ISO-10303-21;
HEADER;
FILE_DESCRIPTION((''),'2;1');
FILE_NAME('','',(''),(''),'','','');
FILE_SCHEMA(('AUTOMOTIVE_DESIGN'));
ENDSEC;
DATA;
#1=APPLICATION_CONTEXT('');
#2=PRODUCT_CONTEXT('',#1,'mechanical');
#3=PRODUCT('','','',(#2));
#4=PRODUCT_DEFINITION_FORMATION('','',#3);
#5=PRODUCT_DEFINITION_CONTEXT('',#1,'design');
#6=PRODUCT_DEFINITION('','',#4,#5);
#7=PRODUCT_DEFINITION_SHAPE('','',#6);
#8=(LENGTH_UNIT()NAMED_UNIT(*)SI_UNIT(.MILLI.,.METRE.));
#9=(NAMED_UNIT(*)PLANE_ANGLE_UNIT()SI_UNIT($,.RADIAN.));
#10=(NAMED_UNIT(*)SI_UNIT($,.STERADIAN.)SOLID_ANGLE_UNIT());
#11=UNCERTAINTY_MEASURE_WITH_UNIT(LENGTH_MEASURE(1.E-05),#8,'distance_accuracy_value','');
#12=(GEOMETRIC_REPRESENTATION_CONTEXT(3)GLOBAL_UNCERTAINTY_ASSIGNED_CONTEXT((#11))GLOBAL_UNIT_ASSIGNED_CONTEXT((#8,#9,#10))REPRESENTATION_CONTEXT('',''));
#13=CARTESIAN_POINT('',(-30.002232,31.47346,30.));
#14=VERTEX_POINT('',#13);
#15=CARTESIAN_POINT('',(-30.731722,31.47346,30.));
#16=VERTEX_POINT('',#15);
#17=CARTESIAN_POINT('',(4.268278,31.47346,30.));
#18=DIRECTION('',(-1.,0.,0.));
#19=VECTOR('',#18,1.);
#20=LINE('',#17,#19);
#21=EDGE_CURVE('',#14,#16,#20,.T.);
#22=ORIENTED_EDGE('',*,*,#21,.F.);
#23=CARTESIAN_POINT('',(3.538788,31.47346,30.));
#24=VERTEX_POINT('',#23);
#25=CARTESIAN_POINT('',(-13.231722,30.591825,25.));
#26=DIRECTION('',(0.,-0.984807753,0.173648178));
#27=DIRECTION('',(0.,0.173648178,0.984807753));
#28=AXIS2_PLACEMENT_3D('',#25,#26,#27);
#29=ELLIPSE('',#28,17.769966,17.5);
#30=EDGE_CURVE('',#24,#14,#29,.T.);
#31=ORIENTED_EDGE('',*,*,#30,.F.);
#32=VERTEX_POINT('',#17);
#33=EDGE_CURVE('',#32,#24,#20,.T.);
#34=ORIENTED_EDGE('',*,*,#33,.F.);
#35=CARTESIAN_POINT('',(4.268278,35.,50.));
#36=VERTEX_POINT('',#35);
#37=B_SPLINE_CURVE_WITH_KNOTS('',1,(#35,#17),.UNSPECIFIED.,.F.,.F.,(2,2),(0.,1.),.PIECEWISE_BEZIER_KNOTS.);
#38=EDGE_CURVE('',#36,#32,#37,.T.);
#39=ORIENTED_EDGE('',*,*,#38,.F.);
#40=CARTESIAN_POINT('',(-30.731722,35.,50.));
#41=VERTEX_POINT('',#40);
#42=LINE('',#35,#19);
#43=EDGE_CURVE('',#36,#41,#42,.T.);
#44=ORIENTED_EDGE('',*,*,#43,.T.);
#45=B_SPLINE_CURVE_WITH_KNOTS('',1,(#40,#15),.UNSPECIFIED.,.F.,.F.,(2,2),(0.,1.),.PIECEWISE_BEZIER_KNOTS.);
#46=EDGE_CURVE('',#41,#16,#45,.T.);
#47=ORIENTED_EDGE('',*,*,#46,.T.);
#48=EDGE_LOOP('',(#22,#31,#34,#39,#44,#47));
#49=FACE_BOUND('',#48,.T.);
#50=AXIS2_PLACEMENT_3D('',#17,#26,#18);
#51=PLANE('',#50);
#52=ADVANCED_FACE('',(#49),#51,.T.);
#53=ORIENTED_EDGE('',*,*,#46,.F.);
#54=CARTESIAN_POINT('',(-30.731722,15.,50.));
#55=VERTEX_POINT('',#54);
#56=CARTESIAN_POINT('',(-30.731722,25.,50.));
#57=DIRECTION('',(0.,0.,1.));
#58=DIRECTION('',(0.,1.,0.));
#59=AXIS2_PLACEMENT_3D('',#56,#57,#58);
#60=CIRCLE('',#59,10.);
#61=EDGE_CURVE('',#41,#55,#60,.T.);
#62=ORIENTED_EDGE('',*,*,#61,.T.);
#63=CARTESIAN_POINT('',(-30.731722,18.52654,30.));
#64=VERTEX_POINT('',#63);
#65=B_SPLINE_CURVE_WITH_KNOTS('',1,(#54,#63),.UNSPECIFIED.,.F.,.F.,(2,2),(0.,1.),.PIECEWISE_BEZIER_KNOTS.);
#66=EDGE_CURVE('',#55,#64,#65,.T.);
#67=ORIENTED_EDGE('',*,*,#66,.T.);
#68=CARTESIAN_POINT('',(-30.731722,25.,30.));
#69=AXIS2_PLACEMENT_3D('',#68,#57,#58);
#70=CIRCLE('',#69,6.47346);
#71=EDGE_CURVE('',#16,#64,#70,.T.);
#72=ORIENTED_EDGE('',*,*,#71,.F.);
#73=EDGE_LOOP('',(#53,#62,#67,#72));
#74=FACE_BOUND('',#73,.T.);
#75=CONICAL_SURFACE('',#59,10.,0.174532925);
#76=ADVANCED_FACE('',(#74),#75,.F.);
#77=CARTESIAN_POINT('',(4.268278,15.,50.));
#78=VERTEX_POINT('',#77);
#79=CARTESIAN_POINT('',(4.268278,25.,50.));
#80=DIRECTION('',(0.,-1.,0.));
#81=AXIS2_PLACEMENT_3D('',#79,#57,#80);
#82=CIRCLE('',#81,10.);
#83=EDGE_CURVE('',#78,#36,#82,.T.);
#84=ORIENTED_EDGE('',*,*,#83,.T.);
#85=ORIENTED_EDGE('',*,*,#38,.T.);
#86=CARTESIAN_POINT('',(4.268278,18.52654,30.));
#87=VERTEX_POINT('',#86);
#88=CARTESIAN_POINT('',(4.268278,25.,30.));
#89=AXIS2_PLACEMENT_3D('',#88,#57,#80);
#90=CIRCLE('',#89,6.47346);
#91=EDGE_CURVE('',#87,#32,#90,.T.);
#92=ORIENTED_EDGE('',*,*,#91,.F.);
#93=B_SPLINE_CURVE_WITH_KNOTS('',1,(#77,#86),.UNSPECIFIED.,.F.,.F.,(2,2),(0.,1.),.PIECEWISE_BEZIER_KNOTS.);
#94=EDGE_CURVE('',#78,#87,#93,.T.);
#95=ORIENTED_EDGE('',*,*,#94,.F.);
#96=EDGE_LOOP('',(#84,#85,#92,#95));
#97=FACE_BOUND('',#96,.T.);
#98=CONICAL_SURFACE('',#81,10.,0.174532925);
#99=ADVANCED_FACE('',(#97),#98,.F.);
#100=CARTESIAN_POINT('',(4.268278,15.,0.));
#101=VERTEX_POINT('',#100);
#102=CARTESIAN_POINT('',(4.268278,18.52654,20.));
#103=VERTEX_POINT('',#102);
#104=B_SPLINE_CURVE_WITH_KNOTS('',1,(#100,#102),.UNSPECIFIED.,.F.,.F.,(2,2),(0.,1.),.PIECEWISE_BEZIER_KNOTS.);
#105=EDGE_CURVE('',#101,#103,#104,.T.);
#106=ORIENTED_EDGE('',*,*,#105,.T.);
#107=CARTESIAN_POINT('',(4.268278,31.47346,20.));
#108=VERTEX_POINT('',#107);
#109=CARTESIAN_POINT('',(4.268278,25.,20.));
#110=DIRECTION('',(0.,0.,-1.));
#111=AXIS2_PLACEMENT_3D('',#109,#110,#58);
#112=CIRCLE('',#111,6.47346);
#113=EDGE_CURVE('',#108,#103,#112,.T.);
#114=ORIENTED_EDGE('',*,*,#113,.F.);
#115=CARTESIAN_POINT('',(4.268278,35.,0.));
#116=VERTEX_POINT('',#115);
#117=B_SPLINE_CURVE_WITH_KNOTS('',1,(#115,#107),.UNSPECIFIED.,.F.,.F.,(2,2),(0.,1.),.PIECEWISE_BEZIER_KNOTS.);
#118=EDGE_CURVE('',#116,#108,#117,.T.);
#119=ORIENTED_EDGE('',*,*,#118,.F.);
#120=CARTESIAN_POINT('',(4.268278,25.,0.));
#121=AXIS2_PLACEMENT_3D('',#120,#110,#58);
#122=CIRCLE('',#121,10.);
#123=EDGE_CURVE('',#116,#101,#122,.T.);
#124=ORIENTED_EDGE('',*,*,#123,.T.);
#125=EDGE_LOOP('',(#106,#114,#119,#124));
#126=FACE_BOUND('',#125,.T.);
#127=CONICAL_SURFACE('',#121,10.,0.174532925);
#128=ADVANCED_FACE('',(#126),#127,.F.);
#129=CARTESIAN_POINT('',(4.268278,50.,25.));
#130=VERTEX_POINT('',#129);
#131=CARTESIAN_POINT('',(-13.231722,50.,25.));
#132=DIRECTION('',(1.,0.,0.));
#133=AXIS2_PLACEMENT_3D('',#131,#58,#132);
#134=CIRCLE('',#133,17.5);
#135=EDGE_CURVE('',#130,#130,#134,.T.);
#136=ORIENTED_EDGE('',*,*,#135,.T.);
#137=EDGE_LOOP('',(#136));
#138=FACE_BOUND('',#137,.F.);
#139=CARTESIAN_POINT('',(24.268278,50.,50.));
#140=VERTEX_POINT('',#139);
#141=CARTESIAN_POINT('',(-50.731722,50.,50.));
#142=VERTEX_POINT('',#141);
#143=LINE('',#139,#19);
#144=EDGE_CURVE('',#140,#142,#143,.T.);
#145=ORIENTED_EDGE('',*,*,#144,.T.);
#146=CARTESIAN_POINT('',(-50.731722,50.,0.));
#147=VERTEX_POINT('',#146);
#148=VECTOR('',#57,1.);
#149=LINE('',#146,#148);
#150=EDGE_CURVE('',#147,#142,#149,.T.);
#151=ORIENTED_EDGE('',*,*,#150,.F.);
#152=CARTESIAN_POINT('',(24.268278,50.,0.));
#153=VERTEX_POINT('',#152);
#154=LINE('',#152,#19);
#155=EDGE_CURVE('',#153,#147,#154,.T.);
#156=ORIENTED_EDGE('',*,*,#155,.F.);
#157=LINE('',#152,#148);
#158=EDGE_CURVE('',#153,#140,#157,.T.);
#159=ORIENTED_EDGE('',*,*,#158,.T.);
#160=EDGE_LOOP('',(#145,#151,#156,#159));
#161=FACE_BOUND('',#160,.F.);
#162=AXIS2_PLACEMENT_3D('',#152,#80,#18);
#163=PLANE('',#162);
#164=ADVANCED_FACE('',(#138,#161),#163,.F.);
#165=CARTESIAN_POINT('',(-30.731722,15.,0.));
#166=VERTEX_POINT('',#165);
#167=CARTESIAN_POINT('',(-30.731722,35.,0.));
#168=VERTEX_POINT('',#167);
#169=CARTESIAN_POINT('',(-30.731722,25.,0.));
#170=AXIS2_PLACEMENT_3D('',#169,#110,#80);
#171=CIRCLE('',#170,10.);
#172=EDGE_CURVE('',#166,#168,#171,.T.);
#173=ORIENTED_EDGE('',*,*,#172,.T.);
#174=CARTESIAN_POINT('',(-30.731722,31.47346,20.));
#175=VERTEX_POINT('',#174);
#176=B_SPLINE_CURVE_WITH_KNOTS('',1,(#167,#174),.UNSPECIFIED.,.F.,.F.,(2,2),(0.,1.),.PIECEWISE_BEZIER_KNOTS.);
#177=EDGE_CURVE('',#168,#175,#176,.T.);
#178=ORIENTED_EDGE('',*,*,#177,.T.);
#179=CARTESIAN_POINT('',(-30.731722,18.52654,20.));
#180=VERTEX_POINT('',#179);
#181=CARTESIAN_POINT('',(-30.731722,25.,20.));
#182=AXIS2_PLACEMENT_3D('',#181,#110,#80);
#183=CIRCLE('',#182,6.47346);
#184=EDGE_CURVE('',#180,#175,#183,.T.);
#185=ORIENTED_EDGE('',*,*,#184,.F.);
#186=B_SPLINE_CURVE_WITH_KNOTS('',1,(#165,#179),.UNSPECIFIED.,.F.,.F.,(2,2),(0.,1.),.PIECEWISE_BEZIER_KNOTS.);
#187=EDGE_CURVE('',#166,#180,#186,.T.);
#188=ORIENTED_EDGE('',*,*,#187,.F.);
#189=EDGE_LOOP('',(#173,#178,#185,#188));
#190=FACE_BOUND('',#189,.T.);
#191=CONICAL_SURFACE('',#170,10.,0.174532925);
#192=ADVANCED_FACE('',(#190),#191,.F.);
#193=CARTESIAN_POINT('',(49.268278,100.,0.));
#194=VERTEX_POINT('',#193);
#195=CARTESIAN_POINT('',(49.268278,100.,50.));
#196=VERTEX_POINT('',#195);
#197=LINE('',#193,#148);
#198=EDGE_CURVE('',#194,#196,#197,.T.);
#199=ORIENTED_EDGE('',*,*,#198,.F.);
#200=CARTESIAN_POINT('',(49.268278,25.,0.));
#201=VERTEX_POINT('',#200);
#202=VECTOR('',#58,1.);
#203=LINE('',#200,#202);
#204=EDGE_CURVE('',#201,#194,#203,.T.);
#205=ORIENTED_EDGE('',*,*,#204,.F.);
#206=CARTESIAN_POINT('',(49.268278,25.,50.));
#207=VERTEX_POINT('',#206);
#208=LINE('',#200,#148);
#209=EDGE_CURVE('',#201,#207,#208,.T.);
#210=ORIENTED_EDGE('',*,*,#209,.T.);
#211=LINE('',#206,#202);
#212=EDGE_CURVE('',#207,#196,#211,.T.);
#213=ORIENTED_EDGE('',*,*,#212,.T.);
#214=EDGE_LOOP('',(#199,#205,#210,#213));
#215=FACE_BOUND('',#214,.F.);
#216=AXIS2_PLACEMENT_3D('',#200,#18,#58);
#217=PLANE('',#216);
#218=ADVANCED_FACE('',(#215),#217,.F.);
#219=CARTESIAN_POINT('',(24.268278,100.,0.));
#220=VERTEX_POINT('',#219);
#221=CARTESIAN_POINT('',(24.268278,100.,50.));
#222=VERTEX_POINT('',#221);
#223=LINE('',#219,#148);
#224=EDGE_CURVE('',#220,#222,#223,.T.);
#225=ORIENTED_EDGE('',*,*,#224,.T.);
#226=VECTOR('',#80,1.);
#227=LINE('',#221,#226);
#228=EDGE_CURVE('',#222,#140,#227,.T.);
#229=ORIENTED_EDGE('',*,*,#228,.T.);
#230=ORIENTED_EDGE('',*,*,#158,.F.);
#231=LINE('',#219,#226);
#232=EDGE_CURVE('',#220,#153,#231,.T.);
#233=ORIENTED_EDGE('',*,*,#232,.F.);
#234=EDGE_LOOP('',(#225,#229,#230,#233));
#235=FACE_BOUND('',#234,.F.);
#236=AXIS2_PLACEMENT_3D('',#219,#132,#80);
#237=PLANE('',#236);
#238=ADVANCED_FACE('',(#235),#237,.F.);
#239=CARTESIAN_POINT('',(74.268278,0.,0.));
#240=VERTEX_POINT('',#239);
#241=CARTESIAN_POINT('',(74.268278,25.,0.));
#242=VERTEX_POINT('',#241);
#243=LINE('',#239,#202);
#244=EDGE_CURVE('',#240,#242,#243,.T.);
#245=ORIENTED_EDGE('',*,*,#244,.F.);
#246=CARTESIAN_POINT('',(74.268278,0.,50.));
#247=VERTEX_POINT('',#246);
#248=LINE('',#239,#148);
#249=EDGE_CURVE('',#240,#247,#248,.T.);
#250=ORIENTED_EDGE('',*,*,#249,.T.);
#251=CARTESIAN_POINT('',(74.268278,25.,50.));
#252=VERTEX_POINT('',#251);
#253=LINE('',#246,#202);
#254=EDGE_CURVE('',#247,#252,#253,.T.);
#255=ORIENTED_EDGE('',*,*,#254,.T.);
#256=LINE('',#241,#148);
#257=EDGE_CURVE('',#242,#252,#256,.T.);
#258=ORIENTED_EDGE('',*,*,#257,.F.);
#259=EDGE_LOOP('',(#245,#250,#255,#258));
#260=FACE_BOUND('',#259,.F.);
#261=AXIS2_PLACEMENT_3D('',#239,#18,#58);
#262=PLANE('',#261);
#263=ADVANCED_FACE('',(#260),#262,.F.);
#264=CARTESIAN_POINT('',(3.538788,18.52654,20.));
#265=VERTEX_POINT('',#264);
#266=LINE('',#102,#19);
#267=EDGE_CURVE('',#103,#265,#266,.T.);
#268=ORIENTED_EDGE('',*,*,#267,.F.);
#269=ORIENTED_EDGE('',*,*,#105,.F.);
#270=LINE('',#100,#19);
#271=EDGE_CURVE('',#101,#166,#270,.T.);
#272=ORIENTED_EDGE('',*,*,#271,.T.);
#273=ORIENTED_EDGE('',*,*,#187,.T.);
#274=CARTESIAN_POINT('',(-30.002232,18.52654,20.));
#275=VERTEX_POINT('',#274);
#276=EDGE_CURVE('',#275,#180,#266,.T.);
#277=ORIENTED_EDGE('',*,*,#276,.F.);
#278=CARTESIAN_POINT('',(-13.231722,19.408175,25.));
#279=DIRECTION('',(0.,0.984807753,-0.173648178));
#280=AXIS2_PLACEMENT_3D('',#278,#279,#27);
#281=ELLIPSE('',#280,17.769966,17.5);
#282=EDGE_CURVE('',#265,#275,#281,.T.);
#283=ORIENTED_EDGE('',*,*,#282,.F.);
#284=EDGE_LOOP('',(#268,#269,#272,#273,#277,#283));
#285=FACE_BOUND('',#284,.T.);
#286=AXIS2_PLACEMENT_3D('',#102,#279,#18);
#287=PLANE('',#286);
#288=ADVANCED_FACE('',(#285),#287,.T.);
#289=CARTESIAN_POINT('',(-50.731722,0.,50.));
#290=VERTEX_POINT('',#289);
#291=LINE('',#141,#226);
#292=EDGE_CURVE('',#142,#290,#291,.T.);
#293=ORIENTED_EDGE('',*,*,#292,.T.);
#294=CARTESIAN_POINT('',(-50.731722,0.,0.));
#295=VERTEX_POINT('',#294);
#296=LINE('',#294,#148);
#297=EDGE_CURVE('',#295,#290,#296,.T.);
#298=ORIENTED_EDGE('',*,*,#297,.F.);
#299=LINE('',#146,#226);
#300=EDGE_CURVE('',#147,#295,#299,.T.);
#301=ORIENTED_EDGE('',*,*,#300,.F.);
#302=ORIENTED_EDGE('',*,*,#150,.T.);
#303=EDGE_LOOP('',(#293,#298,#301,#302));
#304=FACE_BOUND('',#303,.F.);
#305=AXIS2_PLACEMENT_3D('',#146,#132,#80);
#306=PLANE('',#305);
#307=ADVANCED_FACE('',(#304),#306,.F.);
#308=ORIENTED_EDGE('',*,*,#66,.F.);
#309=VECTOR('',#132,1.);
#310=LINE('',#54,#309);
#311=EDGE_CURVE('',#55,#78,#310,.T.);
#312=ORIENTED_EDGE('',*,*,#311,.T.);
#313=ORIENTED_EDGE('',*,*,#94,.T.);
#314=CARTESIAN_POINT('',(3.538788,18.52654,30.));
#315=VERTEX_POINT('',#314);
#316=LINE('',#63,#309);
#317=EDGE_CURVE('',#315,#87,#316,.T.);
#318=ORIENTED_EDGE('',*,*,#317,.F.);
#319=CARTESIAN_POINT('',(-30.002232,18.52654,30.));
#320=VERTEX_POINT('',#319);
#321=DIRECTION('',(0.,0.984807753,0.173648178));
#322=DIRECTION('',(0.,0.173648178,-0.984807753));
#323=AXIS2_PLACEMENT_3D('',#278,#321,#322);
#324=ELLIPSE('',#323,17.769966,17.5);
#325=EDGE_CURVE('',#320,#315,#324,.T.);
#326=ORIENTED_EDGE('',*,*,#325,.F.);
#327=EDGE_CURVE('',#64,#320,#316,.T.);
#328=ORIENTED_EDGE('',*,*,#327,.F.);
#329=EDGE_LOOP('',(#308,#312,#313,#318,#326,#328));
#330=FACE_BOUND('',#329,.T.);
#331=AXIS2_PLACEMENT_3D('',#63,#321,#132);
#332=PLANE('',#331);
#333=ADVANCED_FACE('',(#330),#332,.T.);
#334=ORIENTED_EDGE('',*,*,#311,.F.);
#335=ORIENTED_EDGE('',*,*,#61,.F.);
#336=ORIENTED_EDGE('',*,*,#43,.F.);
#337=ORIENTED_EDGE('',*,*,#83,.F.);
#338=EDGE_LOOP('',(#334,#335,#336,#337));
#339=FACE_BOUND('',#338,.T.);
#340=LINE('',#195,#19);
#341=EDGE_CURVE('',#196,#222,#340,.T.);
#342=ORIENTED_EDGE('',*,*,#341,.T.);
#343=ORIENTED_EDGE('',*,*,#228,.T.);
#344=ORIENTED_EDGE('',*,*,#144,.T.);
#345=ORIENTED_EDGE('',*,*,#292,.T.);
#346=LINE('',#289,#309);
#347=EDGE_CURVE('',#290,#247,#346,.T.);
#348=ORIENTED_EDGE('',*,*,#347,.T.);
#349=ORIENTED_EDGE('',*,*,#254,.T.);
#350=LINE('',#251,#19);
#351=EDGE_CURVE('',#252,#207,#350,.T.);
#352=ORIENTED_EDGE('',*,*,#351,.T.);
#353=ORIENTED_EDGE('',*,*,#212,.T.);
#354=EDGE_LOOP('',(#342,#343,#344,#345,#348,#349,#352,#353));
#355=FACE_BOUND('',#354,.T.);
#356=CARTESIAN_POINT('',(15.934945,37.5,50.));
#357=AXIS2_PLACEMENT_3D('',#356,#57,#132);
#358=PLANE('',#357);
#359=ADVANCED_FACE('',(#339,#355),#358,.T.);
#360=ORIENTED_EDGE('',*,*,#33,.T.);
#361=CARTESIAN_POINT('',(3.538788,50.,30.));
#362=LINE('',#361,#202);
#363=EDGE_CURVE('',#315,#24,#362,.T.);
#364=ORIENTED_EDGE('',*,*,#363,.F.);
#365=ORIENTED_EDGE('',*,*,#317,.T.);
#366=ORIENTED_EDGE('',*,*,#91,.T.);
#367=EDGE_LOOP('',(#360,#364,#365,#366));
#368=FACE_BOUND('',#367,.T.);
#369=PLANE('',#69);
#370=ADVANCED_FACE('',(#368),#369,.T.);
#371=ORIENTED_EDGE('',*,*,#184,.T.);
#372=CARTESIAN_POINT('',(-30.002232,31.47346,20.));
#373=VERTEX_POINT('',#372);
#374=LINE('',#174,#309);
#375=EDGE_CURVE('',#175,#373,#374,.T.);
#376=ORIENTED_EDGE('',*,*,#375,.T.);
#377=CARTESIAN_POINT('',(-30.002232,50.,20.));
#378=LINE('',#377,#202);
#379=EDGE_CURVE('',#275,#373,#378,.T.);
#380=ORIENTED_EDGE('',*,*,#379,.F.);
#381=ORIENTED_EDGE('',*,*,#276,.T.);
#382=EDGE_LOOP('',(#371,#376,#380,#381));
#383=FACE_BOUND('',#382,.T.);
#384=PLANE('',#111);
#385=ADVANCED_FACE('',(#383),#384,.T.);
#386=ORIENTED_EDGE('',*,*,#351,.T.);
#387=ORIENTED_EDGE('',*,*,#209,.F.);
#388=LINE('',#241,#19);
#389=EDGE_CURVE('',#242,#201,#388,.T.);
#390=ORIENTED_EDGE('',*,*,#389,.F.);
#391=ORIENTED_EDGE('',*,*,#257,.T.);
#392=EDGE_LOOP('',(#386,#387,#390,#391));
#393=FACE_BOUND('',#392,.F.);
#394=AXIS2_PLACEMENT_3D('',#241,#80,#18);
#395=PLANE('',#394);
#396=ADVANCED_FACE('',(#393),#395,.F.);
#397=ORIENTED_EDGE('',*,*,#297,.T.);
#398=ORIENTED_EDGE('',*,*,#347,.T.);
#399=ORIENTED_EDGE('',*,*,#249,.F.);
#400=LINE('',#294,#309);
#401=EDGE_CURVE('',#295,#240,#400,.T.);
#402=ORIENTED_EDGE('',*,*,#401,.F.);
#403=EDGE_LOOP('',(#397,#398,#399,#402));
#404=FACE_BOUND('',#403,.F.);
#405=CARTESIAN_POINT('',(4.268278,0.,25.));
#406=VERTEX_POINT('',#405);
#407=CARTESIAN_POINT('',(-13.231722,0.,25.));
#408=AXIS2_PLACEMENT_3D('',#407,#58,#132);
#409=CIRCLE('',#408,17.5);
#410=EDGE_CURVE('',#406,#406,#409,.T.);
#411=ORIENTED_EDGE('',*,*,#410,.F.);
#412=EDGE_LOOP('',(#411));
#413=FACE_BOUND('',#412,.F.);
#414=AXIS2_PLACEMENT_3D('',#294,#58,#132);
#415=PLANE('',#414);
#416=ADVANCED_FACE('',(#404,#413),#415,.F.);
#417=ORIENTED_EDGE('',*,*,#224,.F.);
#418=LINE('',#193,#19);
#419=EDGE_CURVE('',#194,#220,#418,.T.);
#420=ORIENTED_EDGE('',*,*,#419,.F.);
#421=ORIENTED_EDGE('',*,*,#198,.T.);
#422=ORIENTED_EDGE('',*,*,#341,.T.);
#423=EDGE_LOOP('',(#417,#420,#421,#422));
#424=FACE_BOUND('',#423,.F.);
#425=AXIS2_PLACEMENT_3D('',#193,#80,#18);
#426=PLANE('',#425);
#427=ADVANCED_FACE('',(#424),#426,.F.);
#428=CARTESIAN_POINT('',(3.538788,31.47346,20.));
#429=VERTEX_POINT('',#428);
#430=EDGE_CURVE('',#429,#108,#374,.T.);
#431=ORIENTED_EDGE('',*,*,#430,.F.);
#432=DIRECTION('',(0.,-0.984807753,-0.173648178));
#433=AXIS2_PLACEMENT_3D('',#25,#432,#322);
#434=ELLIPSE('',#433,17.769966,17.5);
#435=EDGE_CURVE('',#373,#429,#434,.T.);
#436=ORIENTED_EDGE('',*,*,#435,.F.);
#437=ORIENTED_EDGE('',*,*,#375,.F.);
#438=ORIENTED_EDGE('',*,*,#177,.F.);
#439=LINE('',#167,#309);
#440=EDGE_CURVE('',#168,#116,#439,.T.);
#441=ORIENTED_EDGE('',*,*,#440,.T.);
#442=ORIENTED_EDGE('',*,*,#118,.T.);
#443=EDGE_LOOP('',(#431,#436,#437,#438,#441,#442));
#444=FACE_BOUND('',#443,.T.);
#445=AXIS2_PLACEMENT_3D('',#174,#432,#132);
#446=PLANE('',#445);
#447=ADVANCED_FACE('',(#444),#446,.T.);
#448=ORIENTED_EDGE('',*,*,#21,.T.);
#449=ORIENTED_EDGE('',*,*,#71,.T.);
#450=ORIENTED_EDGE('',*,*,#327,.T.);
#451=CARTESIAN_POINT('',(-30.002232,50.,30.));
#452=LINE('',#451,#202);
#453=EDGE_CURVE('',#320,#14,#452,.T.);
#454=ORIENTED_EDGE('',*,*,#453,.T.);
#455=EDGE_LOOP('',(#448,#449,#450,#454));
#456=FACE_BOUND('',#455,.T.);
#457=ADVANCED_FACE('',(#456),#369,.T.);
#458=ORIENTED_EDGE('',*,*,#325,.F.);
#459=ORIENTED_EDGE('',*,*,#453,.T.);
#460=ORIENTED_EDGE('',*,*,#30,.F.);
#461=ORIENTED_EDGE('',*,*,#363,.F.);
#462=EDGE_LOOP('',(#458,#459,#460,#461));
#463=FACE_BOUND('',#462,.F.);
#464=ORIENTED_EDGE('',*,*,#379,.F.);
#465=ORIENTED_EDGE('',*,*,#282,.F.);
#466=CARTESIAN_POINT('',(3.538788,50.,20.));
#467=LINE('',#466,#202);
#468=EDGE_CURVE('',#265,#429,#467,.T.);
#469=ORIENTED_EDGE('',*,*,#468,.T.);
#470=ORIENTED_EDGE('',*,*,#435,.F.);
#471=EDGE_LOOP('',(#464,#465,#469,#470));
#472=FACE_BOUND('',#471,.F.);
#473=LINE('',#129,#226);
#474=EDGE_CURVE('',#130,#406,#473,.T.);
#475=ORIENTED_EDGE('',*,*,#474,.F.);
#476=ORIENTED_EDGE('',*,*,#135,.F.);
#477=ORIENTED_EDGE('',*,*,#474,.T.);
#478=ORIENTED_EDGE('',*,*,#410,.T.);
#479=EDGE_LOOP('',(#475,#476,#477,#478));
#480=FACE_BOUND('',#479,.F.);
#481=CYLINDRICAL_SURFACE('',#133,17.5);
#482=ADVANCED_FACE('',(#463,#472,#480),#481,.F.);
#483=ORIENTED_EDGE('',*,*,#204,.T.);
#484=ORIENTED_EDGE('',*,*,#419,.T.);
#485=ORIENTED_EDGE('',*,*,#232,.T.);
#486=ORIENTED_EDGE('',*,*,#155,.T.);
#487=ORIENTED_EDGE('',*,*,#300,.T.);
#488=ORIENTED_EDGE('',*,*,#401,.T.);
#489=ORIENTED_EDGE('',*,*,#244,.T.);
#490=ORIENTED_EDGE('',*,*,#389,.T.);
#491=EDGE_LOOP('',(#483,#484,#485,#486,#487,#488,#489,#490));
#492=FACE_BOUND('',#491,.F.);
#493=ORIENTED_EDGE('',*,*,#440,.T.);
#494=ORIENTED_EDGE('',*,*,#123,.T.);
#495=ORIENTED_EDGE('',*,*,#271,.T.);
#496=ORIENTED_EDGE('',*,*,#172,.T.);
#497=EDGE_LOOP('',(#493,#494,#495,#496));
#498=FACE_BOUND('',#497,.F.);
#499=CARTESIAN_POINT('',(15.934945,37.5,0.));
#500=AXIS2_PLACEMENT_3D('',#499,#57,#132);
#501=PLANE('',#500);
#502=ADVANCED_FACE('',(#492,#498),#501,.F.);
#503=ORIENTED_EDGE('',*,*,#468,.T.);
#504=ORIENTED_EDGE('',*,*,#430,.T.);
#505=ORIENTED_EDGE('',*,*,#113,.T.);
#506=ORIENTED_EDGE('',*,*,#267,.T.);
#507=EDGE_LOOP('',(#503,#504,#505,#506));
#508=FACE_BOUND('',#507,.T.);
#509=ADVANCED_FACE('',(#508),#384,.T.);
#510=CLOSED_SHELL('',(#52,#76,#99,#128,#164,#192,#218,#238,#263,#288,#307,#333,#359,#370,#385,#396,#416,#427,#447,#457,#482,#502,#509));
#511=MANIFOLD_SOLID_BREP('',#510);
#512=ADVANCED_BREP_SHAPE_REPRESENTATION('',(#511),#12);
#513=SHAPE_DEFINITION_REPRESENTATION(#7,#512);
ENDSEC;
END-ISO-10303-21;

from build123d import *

# Parameters (mm, degrees)
BOSS_EXTRUDE1_DEPTH = 50
CUT_EXTRUDE1_DEPTH  = 20
CUT_EXTRUDE1_TAPER  = 10
CUT_EXTRUDE2_DEPTH  = 20
CUT_EXTRUDE2_TAPER  = 10
SKETCH4_R           = 17.5
CUT_EXTRUDE3_DEPTH  = 60


with BuildPart() as part:
    # Sketch1 → Boss-Extrude1 (new body)
    with BuildSketch(Plane.XY):
        Polygon((-50.731721796, 0), (74.268278204, 0), (74.268278204, 25), (49.268278204, 25), (49.268278204, 100), (24.268278204, 100), (24.268278204, 50), (-50.731721796, 50), align=None)
    extrude(amount=BOSS_EXTRUDE1_DEPTH)

    # Sketch2 → Cut-Extrude1 (cut)
    with BuildSketch(Plane.XY.offset(50)):
        with BuildLine():
            ThreePointArc((-30.731721796, 35), (-40.731721796, 25), (-30.731721796, 15))
            Line((-30.731721796, 15), (4.268278204, 15))
            ThreePointArc((4.268278204, 15), (14.268278204, 25), (4.268278204, 35))
            Line((4.268278204, 35), (-30.731721796, 35))
        make_face()
    extrude(amount=-CUT_EXTRUDE1_DEPTH, taper=CUT_EXTRUDE1_TAPER, mode=Mode.SUBTRACT)

    # Sketch3 → Cut-Extrude2 (cut)
    with BuildSketch(Plane(origin=(0, 0, 0), x_dir=(-1, 0, 0), z_dir=(0, 0, -1))):
        with BuildLine():
            ThreePointArc((-4.268278204, 35), (-14.268278204, 25), (-4.268278204, 15))
            Line((-4.268278204, 15), (30.731721796, 15))
            ThreePointArc((30.731721796, 15), (40.731721796, 25), (30.731721796, 35))
            Line((30.731721796, 35), (-4.268278204, 35))
        make_face()
    extrude(amount=-CUT_EXTRUDE2_DEPTH, taper=CUT_EXTRUDE2_TAPER, mode=Mode.SUBTRACT)

    # Sketch4 → Cut-Extrude3 (cut)
    with BuildSketch(Plane(origin=(0, 50, 0), x_dir=(1, 0, 0), z_dir=(0, 1, 0))):
        with Locations((-13.231721796, -25)):
            Circle(SKETCH4_R)
    extrude(amount=-CUT_EXTRUDE3_DEPTH, mode=Mode.SUBTRACT)


solid = part.part
